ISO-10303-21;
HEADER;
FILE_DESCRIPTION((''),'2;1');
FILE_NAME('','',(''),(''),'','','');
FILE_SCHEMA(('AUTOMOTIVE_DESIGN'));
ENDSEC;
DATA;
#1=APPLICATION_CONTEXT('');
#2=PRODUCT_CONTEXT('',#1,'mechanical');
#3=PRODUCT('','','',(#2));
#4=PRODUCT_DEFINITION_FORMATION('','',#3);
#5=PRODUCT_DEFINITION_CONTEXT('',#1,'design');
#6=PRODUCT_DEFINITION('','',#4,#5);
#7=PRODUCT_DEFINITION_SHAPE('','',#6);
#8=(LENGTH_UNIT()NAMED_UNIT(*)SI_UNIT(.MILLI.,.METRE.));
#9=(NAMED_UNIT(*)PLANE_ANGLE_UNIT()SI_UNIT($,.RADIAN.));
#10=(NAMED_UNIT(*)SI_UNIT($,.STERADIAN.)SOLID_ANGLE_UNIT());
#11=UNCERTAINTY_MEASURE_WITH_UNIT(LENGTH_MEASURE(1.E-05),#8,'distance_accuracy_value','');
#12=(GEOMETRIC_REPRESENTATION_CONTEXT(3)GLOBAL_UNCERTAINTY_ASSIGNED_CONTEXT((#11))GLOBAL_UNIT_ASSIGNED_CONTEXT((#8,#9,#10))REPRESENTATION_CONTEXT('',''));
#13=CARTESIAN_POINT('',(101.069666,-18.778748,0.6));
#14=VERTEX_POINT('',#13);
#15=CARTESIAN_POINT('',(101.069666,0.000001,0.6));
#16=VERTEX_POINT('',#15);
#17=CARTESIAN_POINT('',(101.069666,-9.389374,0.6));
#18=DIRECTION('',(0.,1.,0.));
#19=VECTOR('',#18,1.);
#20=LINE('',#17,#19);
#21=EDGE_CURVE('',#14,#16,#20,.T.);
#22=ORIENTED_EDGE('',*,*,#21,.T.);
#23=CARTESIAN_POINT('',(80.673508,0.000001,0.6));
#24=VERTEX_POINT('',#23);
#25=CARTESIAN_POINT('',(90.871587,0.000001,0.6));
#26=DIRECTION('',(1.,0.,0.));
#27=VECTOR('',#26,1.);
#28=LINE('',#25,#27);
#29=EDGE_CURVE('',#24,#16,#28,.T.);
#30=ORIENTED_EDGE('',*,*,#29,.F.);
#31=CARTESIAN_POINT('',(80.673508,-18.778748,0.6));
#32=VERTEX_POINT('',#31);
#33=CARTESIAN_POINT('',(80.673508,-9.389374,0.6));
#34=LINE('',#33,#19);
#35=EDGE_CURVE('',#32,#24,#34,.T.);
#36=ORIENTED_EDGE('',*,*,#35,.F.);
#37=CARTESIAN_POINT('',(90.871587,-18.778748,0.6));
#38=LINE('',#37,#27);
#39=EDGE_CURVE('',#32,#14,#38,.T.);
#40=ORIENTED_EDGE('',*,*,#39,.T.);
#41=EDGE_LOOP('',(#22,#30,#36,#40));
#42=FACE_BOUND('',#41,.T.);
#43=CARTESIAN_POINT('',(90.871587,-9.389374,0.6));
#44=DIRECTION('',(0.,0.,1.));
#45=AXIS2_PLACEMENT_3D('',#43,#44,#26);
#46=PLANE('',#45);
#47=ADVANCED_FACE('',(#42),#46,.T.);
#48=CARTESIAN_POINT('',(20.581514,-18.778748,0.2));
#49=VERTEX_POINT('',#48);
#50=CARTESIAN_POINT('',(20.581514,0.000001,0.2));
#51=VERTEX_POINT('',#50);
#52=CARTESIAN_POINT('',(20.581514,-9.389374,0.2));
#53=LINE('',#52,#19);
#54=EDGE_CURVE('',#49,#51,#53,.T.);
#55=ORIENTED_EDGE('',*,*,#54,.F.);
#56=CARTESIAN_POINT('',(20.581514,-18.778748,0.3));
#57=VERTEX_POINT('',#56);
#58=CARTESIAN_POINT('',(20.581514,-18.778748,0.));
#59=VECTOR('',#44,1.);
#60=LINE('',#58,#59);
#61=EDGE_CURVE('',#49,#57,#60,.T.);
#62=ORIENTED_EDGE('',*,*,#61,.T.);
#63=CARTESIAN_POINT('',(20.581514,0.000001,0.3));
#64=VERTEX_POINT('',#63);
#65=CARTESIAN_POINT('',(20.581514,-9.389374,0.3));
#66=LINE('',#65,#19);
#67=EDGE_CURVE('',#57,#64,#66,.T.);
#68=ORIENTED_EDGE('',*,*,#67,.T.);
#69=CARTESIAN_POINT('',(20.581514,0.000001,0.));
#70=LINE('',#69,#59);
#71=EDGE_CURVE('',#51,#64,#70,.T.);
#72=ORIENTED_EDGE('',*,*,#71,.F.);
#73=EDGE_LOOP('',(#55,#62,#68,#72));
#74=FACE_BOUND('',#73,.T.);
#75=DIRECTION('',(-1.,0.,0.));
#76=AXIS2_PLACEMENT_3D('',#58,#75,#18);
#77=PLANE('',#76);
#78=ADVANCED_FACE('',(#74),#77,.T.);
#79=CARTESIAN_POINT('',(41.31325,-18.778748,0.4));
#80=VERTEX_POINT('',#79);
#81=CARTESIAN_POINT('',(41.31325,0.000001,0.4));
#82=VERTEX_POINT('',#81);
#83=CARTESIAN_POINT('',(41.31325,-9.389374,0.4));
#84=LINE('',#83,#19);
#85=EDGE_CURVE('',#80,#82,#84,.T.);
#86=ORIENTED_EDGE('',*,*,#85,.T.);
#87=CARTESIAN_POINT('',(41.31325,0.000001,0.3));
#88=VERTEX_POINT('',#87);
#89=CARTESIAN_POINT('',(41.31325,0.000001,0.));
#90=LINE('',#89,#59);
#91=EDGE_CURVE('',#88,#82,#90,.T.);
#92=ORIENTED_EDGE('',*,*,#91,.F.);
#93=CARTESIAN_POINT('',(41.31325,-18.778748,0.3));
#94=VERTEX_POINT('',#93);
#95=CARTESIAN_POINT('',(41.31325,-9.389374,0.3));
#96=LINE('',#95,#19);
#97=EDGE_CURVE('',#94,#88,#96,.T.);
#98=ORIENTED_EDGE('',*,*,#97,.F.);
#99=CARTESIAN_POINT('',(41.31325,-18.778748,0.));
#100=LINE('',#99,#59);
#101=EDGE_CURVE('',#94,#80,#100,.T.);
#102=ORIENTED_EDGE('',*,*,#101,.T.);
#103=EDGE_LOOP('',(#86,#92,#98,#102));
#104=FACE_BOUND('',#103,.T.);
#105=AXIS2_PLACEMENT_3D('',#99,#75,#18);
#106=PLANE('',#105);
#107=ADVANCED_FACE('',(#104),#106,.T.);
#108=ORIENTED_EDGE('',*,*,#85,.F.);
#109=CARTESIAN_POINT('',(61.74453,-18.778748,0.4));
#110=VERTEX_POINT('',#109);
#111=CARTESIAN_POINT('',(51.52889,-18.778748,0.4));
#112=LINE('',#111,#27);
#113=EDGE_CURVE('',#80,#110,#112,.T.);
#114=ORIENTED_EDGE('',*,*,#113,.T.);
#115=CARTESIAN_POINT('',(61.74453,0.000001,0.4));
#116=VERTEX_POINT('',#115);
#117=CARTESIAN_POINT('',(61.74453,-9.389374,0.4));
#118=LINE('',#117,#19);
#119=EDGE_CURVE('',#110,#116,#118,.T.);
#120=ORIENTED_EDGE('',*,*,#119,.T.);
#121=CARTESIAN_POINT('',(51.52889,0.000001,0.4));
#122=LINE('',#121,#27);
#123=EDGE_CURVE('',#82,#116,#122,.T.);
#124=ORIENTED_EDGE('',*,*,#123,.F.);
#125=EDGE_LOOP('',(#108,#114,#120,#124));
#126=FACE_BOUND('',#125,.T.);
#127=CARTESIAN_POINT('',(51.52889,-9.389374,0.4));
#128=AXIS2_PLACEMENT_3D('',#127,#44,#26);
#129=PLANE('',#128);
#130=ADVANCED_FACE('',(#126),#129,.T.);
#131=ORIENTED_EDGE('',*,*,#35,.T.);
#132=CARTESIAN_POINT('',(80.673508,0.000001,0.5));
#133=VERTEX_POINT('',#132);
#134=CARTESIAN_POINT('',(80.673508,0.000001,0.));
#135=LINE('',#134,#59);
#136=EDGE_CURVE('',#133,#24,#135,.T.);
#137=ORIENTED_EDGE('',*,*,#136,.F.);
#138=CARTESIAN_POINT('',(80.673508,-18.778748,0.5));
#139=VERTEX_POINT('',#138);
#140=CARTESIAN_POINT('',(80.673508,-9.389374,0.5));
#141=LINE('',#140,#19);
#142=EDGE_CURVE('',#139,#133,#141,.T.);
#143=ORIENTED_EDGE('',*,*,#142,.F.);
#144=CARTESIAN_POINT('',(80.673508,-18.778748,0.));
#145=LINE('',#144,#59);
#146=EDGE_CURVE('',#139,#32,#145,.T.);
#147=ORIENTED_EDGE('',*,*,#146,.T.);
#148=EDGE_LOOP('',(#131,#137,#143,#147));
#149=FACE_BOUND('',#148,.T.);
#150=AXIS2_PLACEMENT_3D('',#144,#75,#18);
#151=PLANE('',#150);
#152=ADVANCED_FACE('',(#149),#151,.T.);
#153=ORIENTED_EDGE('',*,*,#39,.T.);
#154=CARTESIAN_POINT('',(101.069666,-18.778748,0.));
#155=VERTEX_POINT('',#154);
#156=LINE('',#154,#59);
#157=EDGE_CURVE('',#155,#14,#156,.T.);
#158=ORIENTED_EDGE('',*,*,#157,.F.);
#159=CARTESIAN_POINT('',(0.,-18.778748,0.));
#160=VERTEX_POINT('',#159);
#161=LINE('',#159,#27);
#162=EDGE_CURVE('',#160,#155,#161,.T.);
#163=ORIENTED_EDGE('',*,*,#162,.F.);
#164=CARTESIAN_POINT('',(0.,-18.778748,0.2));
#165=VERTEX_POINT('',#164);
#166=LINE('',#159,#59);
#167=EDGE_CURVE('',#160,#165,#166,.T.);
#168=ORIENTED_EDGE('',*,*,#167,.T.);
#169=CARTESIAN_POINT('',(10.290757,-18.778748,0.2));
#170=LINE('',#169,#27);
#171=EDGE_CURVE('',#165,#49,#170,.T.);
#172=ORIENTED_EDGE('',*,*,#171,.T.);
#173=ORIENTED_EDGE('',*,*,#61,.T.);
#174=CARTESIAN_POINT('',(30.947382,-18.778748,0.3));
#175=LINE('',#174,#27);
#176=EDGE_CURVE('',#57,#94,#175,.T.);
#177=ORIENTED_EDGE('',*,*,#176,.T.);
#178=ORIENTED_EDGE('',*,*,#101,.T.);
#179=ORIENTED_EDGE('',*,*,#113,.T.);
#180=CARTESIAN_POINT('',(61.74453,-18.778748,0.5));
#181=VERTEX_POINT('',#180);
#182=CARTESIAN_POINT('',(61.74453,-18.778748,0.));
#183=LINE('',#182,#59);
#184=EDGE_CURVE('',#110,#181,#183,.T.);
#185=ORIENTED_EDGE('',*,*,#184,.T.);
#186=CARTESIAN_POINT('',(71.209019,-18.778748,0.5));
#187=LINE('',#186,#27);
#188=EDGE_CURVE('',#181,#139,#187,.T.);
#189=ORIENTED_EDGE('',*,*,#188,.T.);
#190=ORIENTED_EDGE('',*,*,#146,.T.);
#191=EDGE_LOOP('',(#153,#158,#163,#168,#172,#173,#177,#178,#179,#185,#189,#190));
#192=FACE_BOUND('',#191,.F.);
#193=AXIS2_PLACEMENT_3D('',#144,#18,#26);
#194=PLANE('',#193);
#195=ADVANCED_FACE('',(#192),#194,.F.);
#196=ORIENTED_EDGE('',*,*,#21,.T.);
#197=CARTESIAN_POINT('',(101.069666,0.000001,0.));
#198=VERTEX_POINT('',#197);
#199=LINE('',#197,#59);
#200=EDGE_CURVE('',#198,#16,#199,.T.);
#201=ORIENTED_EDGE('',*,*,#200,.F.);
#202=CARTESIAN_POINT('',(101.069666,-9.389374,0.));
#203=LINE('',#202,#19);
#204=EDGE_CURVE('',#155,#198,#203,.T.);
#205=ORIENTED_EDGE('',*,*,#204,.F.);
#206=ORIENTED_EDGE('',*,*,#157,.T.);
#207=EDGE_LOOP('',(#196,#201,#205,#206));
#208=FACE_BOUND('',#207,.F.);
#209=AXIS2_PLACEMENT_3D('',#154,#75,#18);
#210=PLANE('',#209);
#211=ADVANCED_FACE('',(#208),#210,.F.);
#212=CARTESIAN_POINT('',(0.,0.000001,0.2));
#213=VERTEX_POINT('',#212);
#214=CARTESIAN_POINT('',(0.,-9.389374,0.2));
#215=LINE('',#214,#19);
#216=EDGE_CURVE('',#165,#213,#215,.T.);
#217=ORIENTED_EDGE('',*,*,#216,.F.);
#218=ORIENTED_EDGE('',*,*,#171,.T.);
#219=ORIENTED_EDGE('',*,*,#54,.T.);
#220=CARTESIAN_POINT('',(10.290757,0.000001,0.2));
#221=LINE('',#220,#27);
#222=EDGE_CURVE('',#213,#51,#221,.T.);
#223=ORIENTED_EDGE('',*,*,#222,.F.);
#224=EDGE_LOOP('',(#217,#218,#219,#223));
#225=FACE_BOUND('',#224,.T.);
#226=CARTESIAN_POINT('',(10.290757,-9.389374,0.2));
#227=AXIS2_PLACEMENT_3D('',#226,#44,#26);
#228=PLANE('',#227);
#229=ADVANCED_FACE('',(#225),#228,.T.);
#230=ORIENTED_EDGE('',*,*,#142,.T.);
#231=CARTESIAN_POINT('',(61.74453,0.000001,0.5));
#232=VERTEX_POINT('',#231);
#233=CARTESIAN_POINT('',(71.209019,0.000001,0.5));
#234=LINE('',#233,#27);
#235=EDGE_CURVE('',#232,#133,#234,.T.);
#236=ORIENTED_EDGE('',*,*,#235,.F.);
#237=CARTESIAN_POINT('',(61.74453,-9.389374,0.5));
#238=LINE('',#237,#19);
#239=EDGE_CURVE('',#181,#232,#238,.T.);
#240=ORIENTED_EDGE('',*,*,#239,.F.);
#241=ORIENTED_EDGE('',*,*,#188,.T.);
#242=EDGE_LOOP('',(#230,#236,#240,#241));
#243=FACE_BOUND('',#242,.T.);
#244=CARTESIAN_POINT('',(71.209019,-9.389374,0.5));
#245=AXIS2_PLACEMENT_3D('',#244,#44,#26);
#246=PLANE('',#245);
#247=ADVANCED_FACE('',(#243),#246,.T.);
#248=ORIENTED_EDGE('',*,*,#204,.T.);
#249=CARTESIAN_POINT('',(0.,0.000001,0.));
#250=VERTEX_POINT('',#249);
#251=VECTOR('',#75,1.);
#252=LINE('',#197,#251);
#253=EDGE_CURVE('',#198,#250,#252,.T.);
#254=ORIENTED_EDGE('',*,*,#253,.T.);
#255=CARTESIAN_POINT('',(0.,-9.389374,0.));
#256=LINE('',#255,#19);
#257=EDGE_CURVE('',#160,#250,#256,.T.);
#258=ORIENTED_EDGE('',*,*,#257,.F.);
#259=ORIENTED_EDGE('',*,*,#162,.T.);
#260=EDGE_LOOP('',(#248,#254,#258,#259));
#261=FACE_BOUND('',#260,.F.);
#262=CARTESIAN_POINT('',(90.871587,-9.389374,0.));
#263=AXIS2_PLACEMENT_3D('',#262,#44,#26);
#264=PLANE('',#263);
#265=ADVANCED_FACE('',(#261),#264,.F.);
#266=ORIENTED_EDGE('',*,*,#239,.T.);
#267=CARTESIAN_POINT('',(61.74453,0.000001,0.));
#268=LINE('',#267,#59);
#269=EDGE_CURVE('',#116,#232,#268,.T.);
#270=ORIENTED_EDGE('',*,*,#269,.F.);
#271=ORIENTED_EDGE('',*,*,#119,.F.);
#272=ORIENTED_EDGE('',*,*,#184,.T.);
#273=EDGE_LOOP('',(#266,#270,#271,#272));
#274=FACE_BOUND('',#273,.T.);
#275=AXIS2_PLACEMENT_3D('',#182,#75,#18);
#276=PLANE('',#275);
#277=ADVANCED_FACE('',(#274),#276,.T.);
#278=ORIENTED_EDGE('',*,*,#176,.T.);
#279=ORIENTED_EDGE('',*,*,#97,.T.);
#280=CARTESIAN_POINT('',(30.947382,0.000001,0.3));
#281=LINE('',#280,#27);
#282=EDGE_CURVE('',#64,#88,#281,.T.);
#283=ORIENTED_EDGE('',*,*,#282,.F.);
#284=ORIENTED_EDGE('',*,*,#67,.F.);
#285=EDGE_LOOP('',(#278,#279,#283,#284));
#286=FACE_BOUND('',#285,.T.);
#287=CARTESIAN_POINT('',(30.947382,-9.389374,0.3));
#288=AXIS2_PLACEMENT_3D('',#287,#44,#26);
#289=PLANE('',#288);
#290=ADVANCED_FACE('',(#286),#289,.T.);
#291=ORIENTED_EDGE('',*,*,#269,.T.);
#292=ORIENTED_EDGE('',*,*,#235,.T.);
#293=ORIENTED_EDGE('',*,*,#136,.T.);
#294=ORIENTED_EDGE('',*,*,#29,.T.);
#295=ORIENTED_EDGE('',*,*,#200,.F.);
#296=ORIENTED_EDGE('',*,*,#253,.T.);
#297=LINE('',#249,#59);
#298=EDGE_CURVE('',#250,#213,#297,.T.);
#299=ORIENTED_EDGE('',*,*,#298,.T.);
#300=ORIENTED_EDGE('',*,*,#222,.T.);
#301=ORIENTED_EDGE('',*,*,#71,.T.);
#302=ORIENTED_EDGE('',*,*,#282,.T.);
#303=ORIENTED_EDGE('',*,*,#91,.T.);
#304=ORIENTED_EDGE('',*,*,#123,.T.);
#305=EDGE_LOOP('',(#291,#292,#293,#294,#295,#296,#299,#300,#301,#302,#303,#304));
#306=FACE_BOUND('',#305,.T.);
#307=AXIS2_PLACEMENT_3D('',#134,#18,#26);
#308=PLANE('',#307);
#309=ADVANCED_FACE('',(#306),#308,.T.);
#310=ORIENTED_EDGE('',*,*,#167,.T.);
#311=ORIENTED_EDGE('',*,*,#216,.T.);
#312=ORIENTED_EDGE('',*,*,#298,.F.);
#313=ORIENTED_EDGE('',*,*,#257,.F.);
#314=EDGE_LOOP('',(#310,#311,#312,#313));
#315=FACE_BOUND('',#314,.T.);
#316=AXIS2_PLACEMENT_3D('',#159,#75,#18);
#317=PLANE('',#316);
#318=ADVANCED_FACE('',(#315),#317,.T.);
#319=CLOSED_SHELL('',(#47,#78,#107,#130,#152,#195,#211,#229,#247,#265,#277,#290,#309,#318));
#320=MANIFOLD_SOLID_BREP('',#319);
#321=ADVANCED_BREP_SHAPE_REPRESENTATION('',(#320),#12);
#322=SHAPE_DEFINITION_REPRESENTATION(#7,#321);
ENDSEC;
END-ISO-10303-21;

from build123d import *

# Parameters (mm, degrees)
F0_W     = 20.581514
F0_H     = 18.778749
F1_DEPTH = 0.2
F0_W_2   = 20.731736
F2_DEPTH = 0.3
F0_W_3   = 20.43128
F3_DEPTH = 0.4
F0_W_4   = 18.928978
F4_DEPTH = 0.5
F0_W_5   = 20.396158
F5_DEPTH = 0.6


with BuildPart() as f1:
    # F0 (on Top) → F1 (new body)
    with BuildSketch(Plane.XY):
        with Locations((10.290757, -9.389374)):
            Rectangle(F0_W, F0_H)
    extrude(amount=F1_DEPTH)

    # F0 (on Top) → F2 (join)
    with BuildSketch(Plane.XY):
        with Locations((30.947382, -9.389374)):
            Rectangle(F0_W_2, F0_H)
    extrude(amount=F2_DEPTH)

    # F0 (on Top) → F3 (join)
    with BuildSketch(Plane.XY):
        with Locations((51.52889, -9.389374)):
            Rectangle(F0_W_3, F0_H)
    extrude(amount=F3_DEPTH)

    # F0 (on Top) → F4 (join)
    with BuildSketch(Plane.XY):
        with Locations((71.209019, -9.389374)):
            Rectangle(F0_W_4, F0_H)
    extrude(amount=F4_DEPTH)

    # F0 (on Top) → F5 (join)
    with BuildSketch(Plane.XY):
        with Locations((90.871587, -9.389374)):
            Rectangle(F0_W_5, F0_H)
    extrude(amount=F5_DEPTH)


solid = f1.part
